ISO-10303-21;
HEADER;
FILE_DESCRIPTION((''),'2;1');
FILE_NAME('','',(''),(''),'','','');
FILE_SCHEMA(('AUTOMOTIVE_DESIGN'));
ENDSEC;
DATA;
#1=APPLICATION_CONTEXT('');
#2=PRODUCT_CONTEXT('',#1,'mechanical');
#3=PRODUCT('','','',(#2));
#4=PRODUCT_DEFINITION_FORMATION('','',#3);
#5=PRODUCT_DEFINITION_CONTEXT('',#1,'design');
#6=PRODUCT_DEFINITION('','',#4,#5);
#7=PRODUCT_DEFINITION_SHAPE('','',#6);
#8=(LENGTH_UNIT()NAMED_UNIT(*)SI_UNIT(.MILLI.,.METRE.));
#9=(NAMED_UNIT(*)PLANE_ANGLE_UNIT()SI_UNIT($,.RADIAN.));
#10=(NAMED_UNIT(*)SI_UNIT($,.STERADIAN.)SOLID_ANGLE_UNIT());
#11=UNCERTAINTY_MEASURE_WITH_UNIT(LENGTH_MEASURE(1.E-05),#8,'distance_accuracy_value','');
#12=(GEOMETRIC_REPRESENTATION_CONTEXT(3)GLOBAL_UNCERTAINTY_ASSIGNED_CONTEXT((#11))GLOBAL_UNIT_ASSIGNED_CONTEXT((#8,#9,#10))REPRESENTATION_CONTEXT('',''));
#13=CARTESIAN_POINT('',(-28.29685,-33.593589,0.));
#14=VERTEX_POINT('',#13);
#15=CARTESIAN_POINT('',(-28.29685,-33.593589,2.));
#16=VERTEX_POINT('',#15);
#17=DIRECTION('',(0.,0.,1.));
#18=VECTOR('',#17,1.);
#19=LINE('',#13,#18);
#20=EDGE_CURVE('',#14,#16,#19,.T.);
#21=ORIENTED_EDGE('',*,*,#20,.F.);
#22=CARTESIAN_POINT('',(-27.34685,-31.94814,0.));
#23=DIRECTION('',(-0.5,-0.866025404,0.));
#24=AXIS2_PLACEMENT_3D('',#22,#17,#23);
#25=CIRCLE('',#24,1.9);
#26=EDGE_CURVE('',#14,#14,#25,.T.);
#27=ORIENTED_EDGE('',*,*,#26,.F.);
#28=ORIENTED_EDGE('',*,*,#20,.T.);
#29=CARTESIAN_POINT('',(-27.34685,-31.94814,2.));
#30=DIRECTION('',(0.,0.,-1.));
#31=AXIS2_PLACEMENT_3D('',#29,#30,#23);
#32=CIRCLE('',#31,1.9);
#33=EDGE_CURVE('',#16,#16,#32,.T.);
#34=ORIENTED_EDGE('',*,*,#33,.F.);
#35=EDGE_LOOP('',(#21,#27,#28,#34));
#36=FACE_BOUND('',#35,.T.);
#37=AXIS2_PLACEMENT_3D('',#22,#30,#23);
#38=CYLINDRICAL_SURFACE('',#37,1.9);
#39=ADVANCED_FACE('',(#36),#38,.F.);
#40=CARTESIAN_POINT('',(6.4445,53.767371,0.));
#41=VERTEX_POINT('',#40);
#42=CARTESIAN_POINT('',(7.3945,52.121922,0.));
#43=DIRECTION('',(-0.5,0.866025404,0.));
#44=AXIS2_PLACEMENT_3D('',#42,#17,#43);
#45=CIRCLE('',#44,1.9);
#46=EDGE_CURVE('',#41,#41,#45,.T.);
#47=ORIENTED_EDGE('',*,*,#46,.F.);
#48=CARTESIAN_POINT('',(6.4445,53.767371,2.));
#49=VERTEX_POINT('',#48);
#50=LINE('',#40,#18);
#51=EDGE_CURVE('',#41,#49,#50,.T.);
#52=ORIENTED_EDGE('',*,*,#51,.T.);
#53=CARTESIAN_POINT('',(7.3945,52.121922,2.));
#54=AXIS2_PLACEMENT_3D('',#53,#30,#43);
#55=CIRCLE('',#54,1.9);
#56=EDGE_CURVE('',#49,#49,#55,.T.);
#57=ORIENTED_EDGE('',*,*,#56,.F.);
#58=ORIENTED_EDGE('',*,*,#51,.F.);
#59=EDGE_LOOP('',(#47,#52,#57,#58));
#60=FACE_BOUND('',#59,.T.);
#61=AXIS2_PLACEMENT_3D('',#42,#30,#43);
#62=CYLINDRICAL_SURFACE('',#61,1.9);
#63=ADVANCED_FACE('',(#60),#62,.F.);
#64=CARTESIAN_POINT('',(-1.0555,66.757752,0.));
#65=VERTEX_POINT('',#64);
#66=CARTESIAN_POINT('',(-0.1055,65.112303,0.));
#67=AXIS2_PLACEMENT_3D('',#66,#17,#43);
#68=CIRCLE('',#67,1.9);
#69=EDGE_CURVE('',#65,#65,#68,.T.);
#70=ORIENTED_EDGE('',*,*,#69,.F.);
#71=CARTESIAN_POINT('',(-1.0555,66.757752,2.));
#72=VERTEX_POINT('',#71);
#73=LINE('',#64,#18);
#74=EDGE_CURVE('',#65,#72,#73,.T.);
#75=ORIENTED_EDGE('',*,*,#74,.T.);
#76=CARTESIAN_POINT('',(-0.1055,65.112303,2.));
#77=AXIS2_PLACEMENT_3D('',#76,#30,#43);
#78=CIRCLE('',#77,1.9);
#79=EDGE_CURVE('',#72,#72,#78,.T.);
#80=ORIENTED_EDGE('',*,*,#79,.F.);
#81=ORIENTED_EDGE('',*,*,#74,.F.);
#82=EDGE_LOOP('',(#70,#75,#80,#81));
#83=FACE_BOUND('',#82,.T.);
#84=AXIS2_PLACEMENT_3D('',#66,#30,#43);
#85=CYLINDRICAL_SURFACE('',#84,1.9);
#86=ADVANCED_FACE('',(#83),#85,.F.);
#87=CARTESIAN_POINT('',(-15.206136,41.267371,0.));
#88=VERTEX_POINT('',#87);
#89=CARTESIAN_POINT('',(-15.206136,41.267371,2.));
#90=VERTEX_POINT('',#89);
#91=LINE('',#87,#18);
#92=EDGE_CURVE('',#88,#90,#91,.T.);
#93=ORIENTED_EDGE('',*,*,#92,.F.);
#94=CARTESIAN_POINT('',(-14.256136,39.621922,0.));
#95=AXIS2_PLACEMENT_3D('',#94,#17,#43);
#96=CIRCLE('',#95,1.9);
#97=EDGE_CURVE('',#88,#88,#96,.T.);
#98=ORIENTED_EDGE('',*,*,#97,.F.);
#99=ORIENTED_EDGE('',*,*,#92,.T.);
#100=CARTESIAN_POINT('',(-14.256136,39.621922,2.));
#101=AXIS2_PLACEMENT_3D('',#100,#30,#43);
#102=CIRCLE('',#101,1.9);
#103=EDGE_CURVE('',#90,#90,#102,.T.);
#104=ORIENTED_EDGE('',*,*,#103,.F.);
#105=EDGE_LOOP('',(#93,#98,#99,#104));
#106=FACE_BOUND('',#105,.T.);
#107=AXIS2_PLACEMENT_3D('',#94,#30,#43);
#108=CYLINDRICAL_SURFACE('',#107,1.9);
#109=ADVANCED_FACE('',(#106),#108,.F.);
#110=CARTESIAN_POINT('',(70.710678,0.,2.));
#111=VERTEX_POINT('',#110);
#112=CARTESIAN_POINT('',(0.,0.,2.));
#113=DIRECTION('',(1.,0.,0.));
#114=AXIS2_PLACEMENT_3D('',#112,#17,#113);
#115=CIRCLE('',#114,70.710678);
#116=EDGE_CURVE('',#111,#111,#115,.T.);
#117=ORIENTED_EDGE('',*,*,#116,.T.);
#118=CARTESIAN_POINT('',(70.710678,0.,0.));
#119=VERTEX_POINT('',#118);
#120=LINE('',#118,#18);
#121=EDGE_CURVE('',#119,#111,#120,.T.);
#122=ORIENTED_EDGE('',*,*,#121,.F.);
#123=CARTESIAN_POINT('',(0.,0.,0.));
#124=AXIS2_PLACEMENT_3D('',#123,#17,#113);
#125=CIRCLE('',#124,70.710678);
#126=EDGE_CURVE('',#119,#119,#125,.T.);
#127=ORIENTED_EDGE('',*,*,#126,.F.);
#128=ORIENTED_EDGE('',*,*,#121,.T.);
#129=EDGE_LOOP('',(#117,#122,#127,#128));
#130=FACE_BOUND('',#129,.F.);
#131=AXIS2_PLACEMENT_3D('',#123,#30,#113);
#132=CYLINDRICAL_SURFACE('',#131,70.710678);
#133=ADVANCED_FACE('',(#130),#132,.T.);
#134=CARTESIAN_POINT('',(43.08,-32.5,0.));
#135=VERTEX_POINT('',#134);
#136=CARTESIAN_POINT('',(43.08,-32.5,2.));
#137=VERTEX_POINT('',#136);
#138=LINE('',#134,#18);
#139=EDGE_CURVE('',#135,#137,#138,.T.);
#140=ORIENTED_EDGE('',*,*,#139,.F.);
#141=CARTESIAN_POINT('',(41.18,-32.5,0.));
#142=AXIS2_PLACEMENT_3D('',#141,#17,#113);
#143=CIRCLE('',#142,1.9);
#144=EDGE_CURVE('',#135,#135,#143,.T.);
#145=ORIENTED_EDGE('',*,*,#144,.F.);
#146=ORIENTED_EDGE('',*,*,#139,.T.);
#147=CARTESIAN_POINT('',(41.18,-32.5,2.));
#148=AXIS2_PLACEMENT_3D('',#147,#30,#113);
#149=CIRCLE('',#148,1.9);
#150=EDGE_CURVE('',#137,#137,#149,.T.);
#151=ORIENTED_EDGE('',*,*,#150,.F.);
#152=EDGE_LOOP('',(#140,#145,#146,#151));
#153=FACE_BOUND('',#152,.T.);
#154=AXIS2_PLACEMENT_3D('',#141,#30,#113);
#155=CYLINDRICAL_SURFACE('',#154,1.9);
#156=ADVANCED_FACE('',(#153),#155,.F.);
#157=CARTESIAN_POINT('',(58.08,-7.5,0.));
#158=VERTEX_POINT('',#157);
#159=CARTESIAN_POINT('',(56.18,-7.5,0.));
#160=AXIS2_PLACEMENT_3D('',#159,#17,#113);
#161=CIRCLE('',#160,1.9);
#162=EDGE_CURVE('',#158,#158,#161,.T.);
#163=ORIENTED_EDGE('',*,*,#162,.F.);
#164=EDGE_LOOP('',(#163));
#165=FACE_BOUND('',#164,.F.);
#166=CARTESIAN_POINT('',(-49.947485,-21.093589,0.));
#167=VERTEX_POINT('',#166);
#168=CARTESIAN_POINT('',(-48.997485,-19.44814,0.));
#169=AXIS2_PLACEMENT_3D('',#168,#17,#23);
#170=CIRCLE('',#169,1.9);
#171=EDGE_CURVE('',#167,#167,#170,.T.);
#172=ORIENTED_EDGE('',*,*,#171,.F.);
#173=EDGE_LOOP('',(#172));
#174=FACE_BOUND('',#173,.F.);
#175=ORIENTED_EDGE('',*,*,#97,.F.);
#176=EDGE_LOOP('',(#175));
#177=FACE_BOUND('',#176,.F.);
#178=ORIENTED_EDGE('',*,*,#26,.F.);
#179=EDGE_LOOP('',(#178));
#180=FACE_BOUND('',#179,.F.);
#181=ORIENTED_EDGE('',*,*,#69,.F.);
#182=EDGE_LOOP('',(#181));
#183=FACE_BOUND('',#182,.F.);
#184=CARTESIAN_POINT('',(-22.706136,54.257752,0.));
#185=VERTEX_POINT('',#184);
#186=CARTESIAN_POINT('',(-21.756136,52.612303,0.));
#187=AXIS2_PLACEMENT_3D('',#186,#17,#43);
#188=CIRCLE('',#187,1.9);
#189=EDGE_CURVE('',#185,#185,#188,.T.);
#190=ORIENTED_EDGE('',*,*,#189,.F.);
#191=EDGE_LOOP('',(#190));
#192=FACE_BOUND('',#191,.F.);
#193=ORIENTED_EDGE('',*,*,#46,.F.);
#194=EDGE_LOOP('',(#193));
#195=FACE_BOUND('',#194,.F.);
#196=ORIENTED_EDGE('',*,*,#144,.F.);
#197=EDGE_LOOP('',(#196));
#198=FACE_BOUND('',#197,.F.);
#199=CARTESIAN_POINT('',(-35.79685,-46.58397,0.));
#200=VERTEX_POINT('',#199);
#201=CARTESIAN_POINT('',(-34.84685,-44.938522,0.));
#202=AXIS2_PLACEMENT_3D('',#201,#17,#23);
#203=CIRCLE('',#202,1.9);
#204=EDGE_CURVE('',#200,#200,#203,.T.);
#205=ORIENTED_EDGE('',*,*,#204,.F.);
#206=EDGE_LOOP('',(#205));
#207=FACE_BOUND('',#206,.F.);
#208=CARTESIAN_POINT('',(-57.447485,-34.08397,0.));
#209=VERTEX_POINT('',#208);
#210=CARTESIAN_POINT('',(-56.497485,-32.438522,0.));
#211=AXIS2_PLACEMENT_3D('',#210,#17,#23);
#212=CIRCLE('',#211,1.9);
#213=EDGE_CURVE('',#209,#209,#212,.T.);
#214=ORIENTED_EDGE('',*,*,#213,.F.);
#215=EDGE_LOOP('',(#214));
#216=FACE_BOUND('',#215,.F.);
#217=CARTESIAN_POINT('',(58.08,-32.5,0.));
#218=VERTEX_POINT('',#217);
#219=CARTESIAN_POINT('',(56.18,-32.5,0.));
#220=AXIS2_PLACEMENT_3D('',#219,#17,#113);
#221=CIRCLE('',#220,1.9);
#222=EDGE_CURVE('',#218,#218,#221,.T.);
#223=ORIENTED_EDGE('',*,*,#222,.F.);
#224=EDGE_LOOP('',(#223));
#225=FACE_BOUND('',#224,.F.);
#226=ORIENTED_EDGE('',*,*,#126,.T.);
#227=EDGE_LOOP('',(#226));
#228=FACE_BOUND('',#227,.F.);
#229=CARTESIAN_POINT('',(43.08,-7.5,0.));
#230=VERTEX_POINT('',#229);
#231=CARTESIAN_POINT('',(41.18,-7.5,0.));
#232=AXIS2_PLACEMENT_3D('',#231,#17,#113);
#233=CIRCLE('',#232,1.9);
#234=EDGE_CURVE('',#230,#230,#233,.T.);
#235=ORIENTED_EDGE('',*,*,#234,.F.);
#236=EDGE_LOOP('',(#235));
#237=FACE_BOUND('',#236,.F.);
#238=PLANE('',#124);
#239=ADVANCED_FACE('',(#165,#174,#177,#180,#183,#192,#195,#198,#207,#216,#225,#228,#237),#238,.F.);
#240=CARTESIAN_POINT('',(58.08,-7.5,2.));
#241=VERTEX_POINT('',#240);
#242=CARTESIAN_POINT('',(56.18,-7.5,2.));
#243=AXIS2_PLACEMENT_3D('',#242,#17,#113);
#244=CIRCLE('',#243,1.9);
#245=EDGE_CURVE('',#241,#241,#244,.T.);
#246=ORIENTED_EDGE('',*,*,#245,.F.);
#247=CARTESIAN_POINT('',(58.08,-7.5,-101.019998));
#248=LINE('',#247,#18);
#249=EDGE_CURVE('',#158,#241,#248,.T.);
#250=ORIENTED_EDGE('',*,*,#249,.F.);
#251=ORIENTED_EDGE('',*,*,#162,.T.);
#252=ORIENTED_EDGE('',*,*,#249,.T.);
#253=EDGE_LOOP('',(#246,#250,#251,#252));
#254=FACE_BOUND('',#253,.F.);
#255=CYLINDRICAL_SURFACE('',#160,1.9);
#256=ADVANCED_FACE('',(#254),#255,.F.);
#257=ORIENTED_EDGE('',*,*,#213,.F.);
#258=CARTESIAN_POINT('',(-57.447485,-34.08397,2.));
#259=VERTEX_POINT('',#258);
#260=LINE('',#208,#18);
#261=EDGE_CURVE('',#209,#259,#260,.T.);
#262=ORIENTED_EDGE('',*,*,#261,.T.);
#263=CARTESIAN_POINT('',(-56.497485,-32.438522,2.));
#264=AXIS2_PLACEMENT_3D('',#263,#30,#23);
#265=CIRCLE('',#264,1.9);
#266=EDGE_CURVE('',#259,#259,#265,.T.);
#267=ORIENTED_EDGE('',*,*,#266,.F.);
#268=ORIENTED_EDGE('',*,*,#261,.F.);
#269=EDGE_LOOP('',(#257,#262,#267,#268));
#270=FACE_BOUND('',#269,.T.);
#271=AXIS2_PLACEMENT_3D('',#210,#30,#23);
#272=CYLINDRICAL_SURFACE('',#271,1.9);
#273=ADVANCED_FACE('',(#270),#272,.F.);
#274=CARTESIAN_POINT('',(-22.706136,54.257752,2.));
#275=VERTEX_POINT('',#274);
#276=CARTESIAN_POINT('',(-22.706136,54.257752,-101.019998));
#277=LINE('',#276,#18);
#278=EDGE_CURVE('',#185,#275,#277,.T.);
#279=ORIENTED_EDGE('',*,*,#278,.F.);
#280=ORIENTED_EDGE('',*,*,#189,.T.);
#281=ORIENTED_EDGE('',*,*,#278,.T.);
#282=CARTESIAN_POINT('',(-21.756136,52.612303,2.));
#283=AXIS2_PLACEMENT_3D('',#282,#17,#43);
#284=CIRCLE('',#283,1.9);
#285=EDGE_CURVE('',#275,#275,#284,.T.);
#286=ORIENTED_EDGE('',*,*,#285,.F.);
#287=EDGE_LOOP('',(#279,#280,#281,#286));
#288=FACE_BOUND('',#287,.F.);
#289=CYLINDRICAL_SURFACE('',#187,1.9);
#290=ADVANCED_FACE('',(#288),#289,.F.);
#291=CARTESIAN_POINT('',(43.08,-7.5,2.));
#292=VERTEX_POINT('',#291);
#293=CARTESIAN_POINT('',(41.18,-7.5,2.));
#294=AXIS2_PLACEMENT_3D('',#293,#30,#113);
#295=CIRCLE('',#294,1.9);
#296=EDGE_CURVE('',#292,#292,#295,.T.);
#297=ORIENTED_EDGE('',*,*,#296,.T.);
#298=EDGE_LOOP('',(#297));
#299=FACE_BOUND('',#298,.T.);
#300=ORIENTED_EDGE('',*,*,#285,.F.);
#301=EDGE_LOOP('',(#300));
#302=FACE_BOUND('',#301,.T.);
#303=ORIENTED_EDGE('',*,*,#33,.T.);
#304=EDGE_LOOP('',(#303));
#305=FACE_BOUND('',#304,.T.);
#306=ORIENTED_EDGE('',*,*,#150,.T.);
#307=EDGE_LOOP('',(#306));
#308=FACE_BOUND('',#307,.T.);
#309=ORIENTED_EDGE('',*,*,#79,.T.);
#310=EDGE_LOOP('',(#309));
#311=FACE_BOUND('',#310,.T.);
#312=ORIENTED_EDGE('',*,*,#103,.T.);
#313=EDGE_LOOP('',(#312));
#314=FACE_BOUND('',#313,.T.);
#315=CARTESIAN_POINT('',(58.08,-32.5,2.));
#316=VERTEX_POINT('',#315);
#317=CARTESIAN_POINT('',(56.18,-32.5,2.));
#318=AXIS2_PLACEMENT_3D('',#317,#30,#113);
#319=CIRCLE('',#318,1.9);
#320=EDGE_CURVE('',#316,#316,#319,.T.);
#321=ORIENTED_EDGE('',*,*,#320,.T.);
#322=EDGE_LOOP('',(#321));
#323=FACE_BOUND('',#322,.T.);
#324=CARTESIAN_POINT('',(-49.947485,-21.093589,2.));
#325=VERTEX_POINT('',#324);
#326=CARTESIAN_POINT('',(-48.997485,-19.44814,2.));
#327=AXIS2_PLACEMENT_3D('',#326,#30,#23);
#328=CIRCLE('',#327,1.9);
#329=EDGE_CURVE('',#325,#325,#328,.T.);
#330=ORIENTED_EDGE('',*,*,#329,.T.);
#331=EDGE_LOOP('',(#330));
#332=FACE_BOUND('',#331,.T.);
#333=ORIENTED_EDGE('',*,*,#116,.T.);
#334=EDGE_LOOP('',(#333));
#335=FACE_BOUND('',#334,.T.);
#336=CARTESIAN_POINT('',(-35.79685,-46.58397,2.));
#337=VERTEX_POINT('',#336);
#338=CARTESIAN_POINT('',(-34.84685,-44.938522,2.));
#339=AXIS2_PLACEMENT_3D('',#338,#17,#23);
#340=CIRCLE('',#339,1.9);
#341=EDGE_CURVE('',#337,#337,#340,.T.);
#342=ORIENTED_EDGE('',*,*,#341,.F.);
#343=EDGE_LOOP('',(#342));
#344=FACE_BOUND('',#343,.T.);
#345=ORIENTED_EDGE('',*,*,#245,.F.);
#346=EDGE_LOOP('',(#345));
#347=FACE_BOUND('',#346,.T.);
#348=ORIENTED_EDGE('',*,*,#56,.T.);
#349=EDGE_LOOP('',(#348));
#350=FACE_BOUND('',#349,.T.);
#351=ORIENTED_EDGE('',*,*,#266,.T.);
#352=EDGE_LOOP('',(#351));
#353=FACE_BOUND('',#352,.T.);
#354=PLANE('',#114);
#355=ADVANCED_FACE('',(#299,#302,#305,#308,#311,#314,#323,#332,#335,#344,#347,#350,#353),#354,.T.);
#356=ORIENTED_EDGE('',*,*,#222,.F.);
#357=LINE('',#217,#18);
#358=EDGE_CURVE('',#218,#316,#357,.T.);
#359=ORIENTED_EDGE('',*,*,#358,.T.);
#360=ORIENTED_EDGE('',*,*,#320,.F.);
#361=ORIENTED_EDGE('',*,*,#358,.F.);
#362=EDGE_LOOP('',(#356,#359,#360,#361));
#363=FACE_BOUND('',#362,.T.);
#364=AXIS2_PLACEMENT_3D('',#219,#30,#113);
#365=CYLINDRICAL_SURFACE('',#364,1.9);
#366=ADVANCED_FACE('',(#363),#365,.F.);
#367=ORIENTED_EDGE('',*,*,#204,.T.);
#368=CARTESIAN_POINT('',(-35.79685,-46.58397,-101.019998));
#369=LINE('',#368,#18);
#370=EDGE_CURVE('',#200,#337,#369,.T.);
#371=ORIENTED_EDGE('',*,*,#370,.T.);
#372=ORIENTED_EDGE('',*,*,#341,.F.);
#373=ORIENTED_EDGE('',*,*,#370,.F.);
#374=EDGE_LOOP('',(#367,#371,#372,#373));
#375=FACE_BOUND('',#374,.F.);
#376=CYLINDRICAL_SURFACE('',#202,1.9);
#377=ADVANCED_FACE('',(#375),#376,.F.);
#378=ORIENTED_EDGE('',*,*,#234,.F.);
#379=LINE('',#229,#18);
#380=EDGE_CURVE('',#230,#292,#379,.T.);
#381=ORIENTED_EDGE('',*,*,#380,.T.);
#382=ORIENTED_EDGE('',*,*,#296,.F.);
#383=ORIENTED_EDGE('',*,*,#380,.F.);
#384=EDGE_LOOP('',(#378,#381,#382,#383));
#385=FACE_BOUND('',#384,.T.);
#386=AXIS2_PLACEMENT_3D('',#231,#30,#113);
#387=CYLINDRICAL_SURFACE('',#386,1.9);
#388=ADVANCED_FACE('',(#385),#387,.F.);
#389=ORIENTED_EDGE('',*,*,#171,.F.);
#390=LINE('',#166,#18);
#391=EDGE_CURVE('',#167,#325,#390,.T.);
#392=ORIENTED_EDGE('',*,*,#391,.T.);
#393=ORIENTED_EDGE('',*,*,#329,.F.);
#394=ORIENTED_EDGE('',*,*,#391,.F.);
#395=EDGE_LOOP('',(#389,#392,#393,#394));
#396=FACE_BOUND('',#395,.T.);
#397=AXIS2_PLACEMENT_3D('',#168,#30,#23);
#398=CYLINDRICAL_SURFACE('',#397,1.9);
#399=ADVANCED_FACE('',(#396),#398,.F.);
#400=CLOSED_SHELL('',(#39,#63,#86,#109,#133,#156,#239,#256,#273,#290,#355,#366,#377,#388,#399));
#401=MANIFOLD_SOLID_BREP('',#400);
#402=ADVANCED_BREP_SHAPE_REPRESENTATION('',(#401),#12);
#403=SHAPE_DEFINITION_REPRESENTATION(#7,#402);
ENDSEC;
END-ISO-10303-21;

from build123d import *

# Parameters (mm, degrees)
SKETCH_1_R               = 70.710678119
EXTRUDE_1_DEPTH          = 2
SKETCH_2_R               = 1.9
CUT_EXTRUDE_2_DEPTH      = 101.019998
PATTERN_CIRCULAR_1_COUNT = 3


with BuildPart() as part:
    # ｽｹｯﾁ1 → ﾎﾞｽ - 押し出し1 (new body)
    with BuildSketch(Plane.XY):
        Circle(SKETCH_1_R)
    extrude(amount=EXTRUDE_1_DEPTH)

    # ｽｹｯﾁ2 → ｶｯﾄ - 押し出し2 (cut, symmetric)
    with BuildSketch(Plane.XY):
        with Locations((41.18, -7.5)):
            Circle(SKETCH_2_R)
        with Locations((41.18, -32.5)):
            Circle(SKETCH_2_R)
        with Locations((56.18, -32.5)):
            Circle(SKETCH_2_R)
        with Locations((56.18, -7.5)):
            Circle(SKETCH_2_R)
    cut_extrude_2 = extrude(amount=CUT_EXTRUDE_2_DEPTH, both=True, mode=Mode.SUBTRACT)

    # 円形ﾊﾟﾀｰﾝ1: ｶｯﾄ - 押し出し2 ×3 about axis
    pattern_circular_1_axis = Axis((-0.140995034, 0.057927294, 0), (0, 0, 1))
    for i in range(1, PATTERN_CIRCULAR_1_COUNT):
        add(cut_extrude_2.rotate(pattern_circular_1_axis, i * 360 / PATTERN_CIRCULAR_1_COUNT), mode=Mode.SUBTRACT)


solid = part.part
